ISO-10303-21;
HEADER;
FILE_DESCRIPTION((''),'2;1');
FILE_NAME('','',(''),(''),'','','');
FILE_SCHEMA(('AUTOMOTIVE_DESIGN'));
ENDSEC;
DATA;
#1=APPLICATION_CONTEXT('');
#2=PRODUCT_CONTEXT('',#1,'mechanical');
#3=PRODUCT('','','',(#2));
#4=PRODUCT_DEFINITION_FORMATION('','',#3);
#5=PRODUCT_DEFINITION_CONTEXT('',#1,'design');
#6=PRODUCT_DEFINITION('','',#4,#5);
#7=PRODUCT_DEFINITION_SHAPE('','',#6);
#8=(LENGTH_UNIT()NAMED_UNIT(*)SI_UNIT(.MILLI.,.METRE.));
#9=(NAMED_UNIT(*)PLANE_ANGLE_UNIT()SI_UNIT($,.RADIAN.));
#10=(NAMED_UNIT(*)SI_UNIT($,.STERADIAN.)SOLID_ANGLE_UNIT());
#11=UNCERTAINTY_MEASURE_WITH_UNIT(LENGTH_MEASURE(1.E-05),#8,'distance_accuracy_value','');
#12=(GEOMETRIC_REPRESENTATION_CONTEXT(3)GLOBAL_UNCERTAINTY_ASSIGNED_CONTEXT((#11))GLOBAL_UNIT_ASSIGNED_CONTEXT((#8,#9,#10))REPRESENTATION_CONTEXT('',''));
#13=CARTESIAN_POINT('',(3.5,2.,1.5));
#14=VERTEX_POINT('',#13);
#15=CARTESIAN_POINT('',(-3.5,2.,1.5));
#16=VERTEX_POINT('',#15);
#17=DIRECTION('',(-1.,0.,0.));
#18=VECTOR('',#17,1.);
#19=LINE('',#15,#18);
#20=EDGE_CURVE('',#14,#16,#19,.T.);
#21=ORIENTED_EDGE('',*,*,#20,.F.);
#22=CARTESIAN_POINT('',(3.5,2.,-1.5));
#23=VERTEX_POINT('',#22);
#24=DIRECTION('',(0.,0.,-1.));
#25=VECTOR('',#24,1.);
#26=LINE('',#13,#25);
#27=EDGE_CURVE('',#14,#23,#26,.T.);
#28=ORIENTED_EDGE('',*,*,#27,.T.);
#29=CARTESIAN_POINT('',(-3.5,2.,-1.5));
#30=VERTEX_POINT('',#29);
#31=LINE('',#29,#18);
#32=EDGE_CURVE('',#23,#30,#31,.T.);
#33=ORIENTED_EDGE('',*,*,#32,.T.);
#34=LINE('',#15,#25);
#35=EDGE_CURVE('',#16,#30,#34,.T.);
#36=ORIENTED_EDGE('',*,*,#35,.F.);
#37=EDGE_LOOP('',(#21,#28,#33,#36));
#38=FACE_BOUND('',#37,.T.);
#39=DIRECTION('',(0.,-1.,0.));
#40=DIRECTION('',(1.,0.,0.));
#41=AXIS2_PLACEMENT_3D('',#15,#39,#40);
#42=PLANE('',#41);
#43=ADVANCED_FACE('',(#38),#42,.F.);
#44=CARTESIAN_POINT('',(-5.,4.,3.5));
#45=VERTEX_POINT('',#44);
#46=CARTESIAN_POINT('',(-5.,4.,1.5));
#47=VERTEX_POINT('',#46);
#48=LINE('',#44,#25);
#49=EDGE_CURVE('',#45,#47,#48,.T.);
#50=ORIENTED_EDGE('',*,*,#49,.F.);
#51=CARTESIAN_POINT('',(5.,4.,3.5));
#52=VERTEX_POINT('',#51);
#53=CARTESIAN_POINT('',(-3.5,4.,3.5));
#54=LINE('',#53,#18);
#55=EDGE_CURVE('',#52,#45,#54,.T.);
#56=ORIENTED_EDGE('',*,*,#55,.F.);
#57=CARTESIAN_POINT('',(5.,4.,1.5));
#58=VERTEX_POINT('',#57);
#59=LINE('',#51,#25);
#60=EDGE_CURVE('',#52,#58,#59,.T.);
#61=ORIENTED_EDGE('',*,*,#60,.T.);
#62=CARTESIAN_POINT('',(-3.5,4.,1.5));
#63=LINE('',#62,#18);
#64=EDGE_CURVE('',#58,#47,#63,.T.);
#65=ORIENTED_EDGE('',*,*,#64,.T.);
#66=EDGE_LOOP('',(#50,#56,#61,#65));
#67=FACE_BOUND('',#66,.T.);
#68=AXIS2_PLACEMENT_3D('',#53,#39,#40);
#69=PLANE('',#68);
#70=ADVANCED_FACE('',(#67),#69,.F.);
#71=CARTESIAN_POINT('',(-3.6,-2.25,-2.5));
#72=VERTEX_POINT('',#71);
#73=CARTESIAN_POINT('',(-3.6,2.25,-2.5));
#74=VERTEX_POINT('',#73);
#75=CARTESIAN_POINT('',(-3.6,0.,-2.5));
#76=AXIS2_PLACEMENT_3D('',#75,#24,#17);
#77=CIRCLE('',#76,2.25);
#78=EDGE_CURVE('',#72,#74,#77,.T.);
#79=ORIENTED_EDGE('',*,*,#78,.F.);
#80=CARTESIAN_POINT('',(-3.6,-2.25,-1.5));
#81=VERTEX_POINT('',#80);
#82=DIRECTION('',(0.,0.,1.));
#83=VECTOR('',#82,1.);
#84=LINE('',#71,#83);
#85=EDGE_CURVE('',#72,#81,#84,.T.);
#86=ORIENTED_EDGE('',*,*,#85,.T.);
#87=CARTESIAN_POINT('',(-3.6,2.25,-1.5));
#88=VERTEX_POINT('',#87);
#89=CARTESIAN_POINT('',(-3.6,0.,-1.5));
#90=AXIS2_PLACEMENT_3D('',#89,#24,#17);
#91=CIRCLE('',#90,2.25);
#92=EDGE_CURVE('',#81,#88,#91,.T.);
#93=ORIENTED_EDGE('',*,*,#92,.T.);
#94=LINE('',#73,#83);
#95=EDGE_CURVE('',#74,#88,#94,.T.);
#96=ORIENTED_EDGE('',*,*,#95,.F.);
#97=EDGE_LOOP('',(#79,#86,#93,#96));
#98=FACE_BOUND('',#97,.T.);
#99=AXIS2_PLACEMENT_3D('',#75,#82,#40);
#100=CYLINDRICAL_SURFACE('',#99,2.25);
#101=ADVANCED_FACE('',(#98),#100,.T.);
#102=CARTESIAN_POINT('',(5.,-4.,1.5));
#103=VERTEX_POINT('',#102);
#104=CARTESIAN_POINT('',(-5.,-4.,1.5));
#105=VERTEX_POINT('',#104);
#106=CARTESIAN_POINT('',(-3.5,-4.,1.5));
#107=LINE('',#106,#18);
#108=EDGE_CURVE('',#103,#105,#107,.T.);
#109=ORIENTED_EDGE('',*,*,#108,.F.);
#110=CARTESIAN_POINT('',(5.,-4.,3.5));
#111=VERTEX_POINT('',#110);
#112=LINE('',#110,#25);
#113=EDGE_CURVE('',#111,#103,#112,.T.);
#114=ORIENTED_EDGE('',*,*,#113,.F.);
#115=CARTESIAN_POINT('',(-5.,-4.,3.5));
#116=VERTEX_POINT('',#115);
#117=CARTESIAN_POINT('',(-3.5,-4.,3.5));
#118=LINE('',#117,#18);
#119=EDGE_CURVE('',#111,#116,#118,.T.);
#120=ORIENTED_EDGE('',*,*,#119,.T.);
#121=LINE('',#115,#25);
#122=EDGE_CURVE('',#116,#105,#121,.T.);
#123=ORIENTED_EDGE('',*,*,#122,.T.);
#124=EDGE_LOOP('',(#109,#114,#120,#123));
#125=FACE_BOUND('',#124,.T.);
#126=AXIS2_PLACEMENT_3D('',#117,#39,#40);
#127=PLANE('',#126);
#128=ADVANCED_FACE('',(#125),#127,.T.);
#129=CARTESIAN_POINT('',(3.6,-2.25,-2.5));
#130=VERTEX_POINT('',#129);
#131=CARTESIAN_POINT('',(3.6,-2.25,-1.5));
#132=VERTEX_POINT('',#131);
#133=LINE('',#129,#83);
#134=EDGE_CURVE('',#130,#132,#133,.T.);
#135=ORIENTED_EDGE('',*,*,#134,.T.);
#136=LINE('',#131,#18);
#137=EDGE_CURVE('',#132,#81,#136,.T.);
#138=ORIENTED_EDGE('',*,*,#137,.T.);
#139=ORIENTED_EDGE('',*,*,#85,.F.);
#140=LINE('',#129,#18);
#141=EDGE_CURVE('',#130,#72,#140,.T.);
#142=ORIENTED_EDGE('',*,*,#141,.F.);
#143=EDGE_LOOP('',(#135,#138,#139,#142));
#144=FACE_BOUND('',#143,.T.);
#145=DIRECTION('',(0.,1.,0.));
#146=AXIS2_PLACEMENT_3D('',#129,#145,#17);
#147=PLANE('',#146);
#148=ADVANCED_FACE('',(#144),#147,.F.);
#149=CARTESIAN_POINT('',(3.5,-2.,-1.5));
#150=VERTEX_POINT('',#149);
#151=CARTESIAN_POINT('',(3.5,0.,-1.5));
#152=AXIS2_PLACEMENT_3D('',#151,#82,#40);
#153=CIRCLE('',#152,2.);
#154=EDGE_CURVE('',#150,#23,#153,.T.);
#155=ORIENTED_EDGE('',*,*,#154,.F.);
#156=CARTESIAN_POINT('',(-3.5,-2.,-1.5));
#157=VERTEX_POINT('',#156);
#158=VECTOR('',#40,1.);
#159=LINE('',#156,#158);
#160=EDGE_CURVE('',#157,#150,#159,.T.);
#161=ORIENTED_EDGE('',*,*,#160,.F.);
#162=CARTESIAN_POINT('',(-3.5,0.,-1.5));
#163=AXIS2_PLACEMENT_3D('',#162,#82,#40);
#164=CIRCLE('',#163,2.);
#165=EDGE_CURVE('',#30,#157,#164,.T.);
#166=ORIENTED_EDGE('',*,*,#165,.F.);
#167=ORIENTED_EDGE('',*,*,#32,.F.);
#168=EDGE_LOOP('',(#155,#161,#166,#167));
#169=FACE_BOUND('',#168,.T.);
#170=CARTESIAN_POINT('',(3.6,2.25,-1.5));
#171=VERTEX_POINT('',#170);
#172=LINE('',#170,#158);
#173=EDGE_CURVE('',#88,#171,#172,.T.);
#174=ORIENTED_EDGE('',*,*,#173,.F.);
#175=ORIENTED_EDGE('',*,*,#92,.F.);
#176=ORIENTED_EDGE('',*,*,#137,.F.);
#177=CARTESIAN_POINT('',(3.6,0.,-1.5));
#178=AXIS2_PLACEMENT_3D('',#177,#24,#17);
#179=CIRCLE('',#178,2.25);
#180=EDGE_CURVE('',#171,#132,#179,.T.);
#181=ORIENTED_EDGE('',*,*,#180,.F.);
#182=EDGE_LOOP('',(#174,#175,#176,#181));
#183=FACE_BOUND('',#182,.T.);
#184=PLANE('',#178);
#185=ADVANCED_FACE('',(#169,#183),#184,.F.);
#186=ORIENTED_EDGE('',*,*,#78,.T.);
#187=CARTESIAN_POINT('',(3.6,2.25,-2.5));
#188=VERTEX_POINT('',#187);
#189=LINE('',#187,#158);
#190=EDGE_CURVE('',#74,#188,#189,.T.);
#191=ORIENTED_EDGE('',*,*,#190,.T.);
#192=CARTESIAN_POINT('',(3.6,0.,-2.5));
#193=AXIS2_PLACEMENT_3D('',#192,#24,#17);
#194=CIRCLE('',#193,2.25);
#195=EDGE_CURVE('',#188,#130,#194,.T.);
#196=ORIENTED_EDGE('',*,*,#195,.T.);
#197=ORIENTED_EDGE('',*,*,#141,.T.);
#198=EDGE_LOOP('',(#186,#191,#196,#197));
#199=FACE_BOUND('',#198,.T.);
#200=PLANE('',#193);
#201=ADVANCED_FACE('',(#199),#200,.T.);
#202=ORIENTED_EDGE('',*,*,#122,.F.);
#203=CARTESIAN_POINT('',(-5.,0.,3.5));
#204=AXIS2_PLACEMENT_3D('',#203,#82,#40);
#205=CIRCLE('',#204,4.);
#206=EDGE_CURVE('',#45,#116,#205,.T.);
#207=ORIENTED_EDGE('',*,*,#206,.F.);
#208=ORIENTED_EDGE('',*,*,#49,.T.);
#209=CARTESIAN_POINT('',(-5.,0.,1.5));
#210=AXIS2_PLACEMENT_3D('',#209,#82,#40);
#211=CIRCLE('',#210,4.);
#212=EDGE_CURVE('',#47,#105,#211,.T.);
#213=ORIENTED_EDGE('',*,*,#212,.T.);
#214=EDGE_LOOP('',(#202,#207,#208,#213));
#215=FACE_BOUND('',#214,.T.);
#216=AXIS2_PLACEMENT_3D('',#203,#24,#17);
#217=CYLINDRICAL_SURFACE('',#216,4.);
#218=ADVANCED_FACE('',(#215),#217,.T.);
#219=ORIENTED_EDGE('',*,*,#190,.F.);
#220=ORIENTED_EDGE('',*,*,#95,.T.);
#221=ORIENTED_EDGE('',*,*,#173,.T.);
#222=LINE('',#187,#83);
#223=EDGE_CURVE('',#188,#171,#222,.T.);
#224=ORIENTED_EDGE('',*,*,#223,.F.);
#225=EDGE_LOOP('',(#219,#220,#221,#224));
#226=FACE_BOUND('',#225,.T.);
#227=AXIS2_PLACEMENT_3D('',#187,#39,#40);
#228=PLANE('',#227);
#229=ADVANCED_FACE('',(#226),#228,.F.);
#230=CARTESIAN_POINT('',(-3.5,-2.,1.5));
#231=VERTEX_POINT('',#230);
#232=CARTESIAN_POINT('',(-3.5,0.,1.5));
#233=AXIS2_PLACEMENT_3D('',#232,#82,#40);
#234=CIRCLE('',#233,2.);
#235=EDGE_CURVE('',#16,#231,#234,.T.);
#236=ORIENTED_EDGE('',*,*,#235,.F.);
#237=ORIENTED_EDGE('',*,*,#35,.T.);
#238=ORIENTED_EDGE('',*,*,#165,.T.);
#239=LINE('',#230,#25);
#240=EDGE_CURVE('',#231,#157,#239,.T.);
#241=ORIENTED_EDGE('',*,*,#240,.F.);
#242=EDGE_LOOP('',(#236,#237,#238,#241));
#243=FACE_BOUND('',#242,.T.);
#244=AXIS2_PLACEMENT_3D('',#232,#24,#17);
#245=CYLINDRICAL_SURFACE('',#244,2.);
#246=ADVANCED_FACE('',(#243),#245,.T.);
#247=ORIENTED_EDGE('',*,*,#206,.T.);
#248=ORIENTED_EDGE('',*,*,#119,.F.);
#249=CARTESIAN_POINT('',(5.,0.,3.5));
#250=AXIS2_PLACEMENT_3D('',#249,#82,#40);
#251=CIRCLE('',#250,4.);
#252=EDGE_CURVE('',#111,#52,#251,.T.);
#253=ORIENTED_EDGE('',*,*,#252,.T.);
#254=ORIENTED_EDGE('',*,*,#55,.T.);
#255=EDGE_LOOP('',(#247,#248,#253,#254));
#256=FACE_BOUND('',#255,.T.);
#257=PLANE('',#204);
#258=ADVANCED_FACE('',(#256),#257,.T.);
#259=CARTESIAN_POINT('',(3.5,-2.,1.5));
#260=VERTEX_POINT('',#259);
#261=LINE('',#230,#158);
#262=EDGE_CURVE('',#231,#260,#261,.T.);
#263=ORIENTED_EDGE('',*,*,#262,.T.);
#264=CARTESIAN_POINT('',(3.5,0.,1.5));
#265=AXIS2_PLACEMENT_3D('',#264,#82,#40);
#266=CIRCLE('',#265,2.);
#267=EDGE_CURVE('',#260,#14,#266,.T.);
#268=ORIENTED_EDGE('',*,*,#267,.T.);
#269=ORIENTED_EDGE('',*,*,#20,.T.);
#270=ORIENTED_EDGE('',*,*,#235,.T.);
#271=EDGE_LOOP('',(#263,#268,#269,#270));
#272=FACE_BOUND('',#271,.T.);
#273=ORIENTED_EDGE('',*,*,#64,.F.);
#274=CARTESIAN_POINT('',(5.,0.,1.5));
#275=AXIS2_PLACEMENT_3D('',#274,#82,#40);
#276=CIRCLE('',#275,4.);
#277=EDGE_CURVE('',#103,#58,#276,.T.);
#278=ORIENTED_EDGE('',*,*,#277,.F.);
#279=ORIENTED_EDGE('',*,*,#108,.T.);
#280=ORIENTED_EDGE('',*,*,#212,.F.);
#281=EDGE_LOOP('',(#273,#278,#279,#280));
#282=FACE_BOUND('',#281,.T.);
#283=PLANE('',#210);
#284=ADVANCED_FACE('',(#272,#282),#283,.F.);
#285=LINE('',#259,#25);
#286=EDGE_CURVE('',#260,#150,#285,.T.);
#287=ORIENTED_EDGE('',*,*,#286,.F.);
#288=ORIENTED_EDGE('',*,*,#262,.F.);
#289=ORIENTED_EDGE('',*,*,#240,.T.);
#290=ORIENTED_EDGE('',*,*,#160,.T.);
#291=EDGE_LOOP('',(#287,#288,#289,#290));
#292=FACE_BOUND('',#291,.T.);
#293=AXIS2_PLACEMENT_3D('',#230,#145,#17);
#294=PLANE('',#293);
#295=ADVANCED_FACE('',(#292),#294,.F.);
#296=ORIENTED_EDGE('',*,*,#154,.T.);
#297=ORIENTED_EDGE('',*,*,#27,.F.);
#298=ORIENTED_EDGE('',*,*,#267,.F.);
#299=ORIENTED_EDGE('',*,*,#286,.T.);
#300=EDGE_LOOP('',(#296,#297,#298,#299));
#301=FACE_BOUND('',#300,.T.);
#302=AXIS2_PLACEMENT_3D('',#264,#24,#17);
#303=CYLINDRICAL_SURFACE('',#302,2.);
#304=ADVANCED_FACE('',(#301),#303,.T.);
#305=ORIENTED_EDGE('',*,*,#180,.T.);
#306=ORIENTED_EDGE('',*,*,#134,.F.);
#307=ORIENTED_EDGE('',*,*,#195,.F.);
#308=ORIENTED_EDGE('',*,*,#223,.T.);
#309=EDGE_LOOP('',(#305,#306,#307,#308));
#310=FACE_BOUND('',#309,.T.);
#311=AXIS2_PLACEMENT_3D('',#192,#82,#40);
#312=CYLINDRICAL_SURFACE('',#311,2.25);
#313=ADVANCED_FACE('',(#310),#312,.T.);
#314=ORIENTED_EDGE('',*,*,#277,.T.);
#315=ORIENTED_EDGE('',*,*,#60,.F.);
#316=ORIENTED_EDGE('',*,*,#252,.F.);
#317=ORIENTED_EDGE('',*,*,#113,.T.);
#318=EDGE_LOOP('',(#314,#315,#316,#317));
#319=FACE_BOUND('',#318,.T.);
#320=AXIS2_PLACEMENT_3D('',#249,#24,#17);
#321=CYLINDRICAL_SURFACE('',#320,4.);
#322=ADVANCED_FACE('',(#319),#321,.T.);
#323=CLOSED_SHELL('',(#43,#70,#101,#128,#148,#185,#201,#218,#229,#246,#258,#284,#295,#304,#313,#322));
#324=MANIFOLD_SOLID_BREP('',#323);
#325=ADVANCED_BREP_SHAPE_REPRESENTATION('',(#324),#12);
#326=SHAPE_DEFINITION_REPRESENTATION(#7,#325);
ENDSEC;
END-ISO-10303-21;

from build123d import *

# Parameters (mm, degrees)
BOSS_EXTRU_1_DEPTH = 1.5
BOSS_EXTRU_2_START = 1.5
BOSS_EXTRU_2_DEPTH = 2
BOSS_EXTRU_3_DEPTH = 1


with BuildPart() as part:
    # Esquisse1 → Boss.-Extru.1 (new, symmetric)
    with BuildSketch(Plane.XY):
        with BuildLine():
            Line((-3.5, 2), (3.5, 2))
            ThreePointArc((3.5, 2), (5.5, 0), (3.5, -2))
            Line((3.5, -2), (-3.5, -2))
            ThreePointArc((-3.5, -2), (-5.5, 0), (-3.5, 2))
        make_face()
    extrude(amount=BOSS_EXTRU_1_DEPTH, both=True)

    # Esquisse2 → Boss.-Extru.2 (add)
    with BuildSketch(Plane.XY.offset(BOSS_EXTRU_2_START)):
        with BuildLine():
            Line((-5, 4), (5, 4))
            ThreePointArc((5, 4), (9, 0), (5, -4))
            Line((5, -4), (-5, -4))
            ThreePointArc((-5, -4), (-9, 0), (-5, 4))
        make_face()
    extrude(amount=BOSS_EXTRU_2_DEPTH)

    # Esquisse3 → Boss.-Extru.3 (add)
    with BuildSketch(Plane(origin=(0, 0, -1.5), x_dir=(-1, 0, 0), z_dir=(0, 0, -1))):
        with BuildLine():
            Line((-3.6, 2.25), (3.6, 2.25))
            ThreePointArc((3.6, 2.25), (5.85, 0), (3.6, -2.25))
            Line((3.6, -2.25), (-3.6, -2.25))
            ThreePointArc((-3.6, -2.25), (-5.85, 0), (-3.6, 2.25))
        make_face()
    extrude(amount=BOSS_EXTRU_3_DEPTH)


solid = part.part
